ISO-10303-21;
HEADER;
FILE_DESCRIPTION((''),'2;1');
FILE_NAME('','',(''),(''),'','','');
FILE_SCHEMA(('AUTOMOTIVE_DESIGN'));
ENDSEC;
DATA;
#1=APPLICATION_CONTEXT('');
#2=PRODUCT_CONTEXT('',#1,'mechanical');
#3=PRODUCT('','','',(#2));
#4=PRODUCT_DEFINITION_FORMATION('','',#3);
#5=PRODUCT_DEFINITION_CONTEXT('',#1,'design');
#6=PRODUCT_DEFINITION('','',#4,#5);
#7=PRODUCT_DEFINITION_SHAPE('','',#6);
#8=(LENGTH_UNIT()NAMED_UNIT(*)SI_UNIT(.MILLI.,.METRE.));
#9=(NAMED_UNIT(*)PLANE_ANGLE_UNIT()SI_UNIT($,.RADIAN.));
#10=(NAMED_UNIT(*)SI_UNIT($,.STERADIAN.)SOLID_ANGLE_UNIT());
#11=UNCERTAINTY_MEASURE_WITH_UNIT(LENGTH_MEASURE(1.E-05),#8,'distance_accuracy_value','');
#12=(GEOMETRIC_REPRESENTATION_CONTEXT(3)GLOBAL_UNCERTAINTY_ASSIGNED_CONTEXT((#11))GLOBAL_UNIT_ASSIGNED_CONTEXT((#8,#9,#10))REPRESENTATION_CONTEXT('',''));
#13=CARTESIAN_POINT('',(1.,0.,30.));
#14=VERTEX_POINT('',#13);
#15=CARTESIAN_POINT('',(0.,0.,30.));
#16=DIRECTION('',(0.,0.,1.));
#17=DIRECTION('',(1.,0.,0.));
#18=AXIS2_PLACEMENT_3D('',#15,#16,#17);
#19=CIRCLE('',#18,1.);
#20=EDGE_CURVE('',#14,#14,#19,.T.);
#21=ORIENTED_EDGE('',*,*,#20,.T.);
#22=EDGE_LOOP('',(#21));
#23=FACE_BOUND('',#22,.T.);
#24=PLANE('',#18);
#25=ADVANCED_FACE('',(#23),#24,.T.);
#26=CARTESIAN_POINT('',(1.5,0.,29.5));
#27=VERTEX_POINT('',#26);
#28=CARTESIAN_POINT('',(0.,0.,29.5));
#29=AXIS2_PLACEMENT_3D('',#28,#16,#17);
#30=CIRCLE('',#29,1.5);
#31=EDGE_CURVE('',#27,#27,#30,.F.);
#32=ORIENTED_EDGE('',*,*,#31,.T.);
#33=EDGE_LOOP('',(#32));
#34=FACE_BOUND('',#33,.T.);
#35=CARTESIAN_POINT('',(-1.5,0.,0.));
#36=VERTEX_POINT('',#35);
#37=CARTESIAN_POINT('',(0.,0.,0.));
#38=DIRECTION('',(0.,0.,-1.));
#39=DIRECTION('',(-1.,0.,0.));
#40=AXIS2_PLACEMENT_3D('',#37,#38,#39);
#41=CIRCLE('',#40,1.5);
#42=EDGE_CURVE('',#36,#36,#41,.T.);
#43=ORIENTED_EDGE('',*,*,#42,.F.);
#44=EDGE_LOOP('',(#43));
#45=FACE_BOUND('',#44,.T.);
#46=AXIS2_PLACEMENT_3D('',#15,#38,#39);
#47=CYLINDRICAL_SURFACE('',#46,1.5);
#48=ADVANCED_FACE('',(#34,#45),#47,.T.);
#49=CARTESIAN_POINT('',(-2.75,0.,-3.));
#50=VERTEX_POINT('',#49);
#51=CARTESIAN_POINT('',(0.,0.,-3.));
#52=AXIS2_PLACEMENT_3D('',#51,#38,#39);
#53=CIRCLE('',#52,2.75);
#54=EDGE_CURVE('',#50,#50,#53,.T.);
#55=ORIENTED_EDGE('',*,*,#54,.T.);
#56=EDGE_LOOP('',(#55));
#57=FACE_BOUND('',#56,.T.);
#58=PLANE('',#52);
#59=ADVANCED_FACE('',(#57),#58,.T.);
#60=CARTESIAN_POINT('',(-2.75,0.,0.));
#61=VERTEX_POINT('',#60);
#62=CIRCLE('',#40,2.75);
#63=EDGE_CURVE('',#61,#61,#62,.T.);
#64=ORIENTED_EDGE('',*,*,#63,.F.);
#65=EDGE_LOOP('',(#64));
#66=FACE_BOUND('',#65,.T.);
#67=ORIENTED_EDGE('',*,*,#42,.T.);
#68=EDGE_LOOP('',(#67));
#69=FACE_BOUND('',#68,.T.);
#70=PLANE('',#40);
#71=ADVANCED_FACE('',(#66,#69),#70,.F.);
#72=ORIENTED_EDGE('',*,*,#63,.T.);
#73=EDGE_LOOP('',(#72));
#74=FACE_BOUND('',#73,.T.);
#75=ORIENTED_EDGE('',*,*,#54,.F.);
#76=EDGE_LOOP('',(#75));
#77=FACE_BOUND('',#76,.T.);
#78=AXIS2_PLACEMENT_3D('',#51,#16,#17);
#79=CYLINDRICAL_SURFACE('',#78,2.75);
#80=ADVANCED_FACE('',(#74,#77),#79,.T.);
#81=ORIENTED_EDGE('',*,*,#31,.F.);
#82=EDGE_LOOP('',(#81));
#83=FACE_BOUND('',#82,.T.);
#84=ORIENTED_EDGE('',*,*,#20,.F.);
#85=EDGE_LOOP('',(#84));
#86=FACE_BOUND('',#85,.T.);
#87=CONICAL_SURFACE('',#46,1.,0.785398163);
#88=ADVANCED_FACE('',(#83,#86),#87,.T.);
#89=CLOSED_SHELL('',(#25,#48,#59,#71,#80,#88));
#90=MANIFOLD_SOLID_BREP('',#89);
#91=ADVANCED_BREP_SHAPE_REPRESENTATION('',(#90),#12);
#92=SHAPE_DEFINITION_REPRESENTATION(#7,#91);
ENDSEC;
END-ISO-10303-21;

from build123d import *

# Parameters (mm, degrees)
ESQUISSE2_R      = 1.5
EXTRUSION1_DEPTH = 30
ESQUISSE3_R      = 2.75
EXTRUSION2_DEPTH = 3
CHANFREIN1_SIZE  = 0.5


with BuildPart() as part:
    # Esquisse2 → Extrusion1 (new body)
    with BuildSketch(Plane.XY):
        Circle(ESQUISSE2_R)
    extrude(amount=EXTRUSION1_DEPTH)

    # Esquisse3 → Extrusion2 (add)
    with BuildSketch(Plane(origin=(0, 0, 0), x_dir=(-1, 0, 0), z_dir=(0, 0, -1))):
        Circle(ESQUISSE3_R)
    extrude(amount=EXTRUSION2_DEPTH)

    # Chanfrein1
    chanfrein1_edges = [part.edges().sort_by_distance(p)[0] for p in [
        (-1.5, 0, 30),
    ]]
    chamfer(chanfrein1_edges, length=CHANFREIN1_SIZE)


solid = part.part
